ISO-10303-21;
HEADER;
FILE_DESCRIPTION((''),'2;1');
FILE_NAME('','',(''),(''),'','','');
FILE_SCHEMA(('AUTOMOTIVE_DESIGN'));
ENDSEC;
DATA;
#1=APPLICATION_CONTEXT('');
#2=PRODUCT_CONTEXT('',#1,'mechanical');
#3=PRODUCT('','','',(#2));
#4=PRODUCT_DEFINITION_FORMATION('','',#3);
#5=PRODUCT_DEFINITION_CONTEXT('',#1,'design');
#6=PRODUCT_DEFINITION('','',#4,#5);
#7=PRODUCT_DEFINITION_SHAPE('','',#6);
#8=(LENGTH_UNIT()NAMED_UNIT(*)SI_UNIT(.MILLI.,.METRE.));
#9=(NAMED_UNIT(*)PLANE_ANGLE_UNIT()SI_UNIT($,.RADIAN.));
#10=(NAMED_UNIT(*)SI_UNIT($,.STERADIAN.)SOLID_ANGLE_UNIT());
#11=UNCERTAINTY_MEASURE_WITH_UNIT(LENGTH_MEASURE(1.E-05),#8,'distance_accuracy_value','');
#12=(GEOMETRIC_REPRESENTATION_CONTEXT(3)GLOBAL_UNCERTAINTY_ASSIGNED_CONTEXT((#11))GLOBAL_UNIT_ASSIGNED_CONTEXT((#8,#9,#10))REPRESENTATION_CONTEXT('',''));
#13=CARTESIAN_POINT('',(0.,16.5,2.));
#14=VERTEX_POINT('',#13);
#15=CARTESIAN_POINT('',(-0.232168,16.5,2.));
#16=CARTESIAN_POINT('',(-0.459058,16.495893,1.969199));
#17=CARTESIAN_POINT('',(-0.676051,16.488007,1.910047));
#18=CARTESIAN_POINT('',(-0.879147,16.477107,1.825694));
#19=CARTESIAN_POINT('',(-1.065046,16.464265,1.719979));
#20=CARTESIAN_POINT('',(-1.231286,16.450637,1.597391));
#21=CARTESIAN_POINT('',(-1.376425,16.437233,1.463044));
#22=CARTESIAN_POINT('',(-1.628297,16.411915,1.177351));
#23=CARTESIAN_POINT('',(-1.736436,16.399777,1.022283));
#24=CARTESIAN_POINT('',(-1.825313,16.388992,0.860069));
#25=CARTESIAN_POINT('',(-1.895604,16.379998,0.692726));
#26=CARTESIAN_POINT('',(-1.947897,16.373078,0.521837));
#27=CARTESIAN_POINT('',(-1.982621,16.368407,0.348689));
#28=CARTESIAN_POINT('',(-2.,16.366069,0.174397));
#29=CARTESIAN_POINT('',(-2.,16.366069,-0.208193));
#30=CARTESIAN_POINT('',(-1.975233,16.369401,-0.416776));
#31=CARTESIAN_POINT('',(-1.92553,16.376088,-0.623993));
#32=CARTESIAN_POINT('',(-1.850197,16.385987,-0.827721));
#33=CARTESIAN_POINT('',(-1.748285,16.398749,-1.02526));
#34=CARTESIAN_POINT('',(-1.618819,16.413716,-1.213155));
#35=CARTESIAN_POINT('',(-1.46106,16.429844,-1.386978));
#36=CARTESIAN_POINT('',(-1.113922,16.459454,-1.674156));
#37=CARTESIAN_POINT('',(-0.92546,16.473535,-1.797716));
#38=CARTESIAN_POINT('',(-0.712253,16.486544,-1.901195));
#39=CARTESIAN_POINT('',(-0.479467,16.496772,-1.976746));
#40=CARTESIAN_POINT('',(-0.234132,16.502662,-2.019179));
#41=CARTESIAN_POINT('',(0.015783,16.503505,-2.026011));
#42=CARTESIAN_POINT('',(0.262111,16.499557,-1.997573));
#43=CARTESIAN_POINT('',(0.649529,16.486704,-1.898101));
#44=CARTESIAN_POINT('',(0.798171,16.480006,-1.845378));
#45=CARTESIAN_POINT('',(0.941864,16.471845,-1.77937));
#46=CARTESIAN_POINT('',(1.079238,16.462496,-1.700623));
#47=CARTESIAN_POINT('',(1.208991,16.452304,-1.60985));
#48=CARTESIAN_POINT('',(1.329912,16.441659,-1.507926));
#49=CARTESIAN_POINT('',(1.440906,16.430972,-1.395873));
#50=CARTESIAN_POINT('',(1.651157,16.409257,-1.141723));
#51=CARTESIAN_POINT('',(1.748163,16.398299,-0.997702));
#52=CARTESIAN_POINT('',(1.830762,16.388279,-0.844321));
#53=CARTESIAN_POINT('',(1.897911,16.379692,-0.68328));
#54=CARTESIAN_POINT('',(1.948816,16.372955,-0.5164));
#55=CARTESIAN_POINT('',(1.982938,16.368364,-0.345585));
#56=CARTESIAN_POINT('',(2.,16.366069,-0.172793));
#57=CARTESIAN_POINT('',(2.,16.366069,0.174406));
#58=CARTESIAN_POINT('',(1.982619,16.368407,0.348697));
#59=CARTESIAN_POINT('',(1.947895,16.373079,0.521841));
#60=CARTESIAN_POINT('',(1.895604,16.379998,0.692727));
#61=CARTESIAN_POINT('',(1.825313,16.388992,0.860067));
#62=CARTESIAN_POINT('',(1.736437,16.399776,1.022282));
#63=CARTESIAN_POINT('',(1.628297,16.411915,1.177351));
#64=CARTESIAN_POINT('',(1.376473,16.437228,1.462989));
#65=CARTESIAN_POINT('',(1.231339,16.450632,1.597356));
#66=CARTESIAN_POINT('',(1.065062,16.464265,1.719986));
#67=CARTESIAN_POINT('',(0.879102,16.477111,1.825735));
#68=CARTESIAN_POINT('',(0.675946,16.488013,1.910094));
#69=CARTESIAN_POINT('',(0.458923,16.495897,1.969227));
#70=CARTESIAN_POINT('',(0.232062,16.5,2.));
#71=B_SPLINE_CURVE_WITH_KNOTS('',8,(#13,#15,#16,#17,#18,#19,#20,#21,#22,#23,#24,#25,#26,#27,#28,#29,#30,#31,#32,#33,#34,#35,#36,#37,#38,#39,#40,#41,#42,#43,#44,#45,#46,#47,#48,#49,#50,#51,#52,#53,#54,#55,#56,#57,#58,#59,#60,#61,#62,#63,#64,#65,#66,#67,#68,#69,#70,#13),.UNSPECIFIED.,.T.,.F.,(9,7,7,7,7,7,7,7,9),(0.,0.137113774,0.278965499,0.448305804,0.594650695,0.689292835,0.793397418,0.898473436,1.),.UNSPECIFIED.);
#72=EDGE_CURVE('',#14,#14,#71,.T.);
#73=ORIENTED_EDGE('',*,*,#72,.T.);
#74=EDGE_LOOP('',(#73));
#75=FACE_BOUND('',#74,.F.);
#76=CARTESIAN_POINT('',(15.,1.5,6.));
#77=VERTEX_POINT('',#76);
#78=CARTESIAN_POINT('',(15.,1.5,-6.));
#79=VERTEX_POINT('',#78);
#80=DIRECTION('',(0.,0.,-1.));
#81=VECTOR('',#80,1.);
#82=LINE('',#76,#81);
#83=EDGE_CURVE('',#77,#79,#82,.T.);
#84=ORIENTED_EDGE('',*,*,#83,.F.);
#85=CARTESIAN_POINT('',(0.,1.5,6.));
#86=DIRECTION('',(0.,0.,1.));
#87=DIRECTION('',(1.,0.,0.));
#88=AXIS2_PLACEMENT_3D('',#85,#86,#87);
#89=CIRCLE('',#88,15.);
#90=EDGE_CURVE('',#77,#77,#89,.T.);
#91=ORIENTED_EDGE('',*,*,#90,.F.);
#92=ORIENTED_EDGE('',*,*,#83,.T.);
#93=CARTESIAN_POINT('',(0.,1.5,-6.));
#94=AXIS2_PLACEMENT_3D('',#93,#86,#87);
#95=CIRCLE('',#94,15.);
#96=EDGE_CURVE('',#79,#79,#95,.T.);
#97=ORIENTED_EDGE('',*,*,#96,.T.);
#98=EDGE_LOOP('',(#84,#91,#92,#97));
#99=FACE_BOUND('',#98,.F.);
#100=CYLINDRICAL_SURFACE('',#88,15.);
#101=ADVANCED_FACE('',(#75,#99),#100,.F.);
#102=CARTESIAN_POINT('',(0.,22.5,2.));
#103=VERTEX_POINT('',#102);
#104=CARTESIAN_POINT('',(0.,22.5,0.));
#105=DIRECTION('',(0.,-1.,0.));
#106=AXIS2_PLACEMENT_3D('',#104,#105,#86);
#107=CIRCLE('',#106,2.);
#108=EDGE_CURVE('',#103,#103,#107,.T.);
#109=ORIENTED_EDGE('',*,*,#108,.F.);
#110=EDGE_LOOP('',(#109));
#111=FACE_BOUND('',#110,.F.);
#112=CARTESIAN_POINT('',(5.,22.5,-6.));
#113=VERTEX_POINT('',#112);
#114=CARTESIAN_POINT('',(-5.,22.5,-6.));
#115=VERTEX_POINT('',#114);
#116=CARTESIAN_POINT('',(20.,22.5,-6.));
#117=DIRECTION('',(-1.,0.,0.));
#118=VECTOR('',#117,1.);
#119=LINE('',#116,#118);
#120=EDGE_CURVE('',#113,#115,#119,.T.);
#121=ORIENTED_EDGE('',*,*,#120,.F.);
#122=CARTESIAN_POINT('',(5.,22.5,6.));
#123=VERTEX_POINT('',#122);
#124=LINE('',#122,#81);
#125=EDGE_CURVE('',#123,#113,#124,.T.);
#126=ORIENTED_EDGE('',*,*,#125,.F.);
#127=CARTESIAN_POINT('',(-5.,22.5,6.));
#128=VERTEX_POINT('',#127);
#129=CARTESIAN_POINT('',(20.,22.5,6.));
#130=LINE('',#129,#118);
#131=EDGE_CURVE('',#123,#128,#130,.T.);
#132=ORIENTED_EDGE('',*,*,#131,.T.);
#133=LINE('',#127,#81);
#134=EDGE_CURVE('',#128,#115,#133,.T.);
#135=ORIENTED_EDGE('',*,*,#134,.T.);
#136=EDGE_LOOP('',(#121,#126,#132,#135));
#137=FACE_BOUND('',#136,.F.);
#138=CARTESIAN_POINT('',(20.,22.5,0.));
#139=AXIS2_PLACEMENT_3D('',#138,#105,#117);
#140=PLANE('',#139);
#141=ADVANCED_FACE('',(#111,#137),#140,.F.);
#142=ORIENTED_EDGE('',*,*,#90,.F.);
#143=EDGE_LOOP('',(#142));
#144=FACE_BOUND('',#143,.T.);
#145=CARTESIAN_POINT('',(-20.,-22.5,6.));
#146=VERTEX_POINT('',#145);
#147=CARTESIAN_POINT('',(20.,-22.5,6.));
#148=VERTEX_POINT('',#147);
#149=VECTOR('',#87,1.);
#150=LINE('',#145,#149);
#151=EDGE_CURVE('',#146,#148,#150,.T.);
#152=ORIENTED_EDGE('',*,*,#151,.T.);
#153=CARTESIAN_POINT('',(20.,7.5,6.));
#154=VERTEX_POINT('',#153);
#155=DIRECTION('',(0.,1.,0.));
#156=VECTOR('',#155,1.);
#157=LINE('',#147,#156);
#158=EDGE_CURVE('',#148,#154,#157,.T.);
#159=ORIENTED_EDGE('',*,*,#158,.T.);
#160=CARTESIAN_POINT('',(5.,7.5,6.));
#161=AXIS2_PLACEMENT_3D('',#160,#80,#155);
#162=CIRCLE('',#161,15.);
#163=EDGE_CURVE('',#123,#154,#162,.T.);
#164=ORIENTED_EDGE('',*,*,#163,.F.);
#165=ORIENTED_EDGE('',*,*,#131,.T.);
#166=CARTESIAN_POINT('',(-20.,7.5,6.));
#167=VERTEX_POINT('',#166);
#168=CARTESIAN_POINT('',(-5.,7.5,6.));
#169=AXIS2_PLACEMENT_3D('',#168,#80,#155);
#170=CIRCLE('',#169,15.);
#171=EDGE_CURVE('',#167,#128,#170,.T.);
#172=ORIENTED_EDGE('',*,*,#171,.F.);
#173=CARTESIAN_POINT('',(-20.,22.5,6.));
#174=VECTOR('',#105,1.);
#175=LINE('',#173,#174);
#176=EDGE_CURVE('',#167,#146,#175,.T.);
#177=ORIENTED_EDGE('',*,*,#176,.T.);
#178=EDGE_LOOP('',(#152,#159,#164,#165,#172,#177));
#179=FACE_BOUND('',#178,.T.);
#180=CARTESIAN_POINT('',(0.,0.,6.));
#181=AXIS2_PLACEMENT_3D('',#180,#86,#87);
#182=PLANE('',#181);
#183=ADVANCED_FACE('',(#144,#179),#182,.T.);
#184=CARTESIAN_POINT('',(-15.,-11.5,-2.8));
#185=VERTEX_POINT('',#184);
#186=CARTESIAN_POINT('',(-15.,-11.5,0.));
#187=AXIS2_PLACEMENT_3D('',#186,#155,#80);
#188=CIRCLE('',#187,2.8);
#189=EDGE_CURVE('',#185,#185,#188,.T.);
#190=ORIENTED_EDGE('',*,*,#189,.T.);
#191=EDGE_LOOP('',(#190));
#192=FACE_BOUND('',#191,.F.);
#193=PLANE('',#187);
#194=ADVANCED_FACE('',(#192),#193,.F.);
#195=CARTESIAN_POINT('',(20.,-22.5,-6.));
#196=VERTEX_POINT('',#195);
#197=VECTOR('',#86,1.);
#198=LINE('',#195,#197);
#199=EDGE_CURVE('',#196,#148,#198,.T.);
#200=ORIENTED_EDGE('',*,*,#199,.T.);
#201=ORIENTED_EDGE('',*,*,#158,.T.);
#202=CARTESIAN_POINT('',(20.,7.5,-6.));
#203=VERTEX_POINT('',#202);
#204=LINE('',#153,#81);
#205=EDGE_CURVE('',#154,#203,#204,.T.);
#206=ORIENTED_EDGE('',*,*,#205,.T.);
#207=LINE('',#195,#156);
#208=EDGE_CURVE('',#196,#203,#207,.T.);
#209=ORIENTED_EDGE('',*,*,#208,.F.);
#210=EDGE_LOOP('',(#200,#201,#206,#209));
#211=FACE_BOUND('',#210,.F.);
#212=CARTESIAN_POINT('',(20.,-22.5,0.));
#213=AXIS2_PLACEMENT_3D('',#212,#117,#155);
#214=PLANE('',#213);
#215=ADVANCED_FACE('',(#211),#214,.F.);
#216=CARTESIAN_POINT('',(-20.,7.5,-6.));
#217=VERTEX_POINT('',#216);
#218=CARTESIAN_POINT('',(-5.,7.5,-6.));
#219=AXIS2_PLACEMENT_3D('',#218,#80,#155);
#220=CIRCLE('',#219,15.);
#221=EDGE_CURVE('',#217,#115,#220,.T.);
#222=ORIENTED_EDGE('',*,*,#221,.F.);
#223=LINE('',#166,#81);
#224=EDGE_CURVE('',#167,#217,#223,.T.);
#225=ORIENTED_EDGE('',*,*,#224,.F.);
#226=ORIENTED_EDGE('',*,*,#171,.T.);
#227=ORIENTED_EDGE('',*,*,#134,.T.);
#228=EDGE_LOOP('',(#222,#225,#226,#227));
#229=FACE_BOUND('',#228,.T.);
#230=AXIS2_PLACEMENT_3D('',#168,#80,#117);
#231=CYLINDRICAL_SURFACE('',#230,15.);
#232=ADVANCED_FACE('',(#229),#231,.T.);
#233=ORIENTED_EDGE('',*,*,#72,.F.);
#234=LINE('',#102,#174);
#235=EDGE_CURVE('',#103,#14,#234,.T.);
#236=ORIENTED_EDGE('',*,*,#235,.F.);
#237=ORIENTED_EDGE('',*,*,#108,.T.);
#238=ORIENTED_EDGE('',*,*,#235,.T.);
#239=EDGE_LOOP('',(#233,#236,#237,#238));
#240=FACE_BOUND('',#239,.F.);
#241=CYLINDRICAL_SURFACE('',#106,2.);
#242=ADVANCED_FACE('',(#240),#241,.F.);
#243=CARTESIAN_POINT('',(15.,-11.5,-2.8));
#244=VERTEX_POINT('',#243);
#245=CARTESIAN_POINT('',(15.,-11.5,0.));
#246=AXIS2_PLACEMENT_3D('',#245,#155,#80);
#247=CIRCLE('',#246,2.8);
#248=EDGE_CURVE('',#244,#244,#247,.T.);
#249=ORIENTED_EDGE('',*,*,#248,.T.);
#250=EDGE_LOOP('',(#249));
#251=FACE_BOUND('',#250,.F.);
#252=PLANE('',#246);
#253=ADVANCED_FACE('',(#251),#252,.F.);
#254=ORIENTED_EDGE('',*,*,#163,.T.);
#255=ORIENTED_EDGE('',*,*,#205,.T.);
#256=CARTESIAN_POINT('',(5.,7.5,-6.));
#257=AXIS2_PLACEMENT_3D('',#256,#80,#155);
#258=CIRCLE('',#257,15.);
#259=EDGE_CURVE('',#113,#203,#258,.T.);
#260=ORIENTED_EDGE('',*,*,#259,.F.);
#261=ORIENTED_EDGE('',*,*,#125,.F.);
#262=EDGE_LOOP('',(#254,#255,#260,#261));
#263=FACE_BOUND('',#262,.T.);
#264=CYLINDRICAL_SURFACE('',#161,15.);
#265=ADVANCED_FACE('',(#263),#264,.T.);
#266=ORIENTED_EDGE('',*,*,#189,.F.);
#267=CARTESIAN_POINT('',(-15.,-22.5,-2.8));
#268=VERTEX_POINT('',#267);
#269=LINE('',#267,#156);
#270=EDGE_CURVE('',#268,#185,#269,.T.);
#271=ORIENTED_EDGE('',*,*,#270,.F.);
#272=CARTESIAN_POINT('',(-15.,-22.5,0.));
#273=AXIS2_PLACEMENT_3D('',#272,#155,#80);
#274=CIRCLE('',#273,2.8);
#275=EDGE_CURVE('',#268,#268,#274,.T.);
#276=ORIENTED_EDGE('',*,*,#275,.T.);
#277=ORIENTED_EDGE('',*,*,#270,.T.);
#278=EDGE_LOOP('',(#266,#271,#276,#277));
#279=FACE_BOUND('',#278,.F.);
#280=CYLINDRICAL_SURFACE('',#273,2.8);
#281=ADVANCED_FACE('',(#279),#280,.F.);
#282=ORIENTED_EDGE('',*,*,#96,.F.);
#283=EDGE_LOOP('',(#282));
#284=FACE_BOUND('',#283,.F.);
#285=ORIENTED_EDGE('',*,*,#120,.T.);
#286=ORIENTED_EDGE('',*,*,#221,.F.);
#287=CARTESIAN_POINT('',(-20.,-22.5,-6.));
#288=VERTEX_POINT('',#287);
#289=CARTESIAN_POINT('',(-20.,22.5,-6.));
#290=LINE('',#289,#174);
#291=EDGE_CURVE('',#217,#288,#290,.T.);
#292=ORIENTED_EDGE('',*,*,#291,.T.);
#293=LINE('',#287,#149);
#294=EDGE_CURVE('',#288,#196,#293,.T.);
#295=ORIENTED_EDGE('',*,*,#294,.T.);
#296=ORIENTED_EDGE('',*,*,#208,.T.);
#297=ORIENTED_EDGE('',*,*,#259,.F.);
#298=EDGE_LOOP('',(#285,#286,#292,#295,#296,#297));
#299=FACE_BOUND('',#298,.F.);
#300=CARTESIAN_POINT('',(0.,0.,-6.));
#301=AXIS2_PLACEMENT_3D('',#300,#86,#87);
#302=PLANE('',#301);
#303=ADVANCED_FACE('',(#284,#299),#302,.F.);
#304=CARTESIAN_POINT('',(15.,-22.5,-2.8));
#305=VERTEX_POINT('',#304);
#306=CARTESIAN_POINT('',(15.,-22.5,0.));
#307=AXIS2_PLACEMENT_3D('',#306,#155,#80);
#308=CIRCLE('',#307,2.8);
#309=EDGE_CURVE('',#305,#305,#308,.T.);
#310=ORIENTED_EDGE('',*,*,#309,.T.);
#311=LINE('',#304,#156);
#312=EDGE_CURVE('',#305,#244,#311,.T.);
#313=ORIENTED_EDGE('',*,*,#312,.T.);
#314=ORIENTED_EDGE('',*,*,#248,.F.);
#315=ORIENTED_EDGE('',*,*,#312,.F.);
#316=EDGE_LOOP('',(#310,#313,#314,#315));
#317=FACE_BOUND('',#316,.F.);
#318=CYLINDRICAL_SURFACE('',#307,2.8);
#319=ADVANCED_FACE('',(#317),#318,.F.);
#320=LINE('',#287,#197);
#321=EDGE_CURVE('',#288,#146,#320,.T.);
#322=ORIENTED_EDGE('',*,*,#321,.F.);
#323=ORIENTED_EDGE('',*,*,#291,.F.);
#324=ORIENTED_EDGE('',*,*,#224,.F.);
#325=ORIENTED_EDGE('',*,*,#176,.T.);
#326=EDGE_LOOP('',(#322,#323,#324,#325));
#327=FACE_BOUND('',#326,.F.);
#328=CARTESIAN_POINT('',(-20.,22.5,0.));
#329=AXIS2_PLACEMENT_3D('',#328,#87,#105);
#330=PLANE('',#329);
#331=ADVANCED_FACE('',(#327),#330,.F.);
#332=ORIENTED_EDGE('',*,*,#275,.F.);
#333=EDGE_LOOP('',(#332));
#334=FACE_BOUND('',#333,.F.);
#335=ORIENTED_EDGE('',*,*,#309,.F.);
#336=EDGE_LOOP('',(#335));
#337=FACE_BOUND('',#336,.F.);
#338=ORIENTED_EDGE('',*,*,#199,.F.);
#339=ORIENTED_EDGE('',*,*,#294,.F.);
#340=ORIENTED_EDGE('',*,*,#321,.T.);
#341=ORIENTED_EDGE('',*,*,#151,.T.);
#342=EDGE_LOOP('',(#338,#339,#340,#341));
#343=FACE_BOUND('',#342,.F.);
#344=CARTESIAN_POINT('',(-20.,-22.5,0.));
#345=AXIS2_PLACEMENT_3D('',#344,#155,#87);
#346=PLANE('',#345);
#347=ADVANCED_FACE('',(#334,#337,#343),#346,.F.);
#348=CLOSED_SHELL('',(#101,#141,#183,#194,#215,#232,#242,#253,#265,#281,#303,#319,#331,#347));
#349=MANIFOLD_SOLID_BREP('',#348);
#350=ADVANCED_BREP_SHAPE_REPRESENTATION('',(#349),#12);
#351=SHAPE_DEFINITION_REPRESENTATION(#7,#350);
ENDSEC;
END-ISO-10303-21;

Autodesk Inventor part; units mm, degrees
ref_plane "YZ Plane" through (0, 0, 0) normal (1, 0, 0) x (0, 1, 0)
ref_plane "XZ Plane" through (0, 0, 0) normal (0, 1, 0) x (-1, 0, 0)
ref_plane "XY Plane" through (0, 0, 0) normal (0, 0, 1) x (1, 0, 0)
sketch "Skizze1" plane through (0, 0, 0) normal (0, 0, 1) x (1, 0, 0)
  line L0 (-20, -22.5) -> (20, -22.5)
  line L1 (20, -22.5) -> (20, 22.5)
  line L2 (20, 22.5) -> (-20, 22.5)
  line L3 (-20, 22.5) -> (-20, -22.5)
  line L4 (-20, -22.5) -> (20, 22.5) construction
  line L5 (20, -22.5) -> (-20, 22.5) construction
  point P0 (0, 0)
  dimension "d0" = 40
  dimension "d1" = 45
extrude "Extrusion1" add sketch "Skizze1" along normal mid plane 12
sketch "Skizze2" plane through (0, 0, 6) normal (0, 0, 1) x (1, 0, 0)
  circle A0 centre (0, 1.5) radius 15
  line L0 (20, 22.5) -> (-20, 22.5) projected
  point P0 (0, 0)
  point P1 (0, 22.5)
  dimension "d4" = 30
  dimension "d5" = 21
extrude "Extrusion2" cut sketch "Skizze2" against normal through all
sketch "Skizze3" plane through (-20, -22.5, 6) normal (0, -1, 0) x (1, 0, 0)
  line L0 (0, -12) -> (0, 0) projected
  line L1 (40, 0) -> (40, -12) projected
  point P0 (20, -6)
  point P1 (5, -6)
  point P2 (35, -6)
  dimension "d8" = 5
  dimension "d9" = 5
hole "Bohrung1" at (-15, -22.5, 0) at (15, -22.5, 0) direction (0, 1, 0) diameter 5.6 depth 11
sketch "Skizze4" plane through (-20, 22.5, 6) normal (0, 1, 0) x (1, 0, 0)
  point P0 (20, 6)
  point P1 (20, 6)
hole "Bohrung2" at (0, 22.5, 0) direction (0, -1, 0) diameter 4 depth 11
fillet "Rundung1" radius 15 2 edges at (-20, 22.5, 0) (20, 22.5, 0)
properties part number "FMR_DXWD80_CPW_Halter_B"
